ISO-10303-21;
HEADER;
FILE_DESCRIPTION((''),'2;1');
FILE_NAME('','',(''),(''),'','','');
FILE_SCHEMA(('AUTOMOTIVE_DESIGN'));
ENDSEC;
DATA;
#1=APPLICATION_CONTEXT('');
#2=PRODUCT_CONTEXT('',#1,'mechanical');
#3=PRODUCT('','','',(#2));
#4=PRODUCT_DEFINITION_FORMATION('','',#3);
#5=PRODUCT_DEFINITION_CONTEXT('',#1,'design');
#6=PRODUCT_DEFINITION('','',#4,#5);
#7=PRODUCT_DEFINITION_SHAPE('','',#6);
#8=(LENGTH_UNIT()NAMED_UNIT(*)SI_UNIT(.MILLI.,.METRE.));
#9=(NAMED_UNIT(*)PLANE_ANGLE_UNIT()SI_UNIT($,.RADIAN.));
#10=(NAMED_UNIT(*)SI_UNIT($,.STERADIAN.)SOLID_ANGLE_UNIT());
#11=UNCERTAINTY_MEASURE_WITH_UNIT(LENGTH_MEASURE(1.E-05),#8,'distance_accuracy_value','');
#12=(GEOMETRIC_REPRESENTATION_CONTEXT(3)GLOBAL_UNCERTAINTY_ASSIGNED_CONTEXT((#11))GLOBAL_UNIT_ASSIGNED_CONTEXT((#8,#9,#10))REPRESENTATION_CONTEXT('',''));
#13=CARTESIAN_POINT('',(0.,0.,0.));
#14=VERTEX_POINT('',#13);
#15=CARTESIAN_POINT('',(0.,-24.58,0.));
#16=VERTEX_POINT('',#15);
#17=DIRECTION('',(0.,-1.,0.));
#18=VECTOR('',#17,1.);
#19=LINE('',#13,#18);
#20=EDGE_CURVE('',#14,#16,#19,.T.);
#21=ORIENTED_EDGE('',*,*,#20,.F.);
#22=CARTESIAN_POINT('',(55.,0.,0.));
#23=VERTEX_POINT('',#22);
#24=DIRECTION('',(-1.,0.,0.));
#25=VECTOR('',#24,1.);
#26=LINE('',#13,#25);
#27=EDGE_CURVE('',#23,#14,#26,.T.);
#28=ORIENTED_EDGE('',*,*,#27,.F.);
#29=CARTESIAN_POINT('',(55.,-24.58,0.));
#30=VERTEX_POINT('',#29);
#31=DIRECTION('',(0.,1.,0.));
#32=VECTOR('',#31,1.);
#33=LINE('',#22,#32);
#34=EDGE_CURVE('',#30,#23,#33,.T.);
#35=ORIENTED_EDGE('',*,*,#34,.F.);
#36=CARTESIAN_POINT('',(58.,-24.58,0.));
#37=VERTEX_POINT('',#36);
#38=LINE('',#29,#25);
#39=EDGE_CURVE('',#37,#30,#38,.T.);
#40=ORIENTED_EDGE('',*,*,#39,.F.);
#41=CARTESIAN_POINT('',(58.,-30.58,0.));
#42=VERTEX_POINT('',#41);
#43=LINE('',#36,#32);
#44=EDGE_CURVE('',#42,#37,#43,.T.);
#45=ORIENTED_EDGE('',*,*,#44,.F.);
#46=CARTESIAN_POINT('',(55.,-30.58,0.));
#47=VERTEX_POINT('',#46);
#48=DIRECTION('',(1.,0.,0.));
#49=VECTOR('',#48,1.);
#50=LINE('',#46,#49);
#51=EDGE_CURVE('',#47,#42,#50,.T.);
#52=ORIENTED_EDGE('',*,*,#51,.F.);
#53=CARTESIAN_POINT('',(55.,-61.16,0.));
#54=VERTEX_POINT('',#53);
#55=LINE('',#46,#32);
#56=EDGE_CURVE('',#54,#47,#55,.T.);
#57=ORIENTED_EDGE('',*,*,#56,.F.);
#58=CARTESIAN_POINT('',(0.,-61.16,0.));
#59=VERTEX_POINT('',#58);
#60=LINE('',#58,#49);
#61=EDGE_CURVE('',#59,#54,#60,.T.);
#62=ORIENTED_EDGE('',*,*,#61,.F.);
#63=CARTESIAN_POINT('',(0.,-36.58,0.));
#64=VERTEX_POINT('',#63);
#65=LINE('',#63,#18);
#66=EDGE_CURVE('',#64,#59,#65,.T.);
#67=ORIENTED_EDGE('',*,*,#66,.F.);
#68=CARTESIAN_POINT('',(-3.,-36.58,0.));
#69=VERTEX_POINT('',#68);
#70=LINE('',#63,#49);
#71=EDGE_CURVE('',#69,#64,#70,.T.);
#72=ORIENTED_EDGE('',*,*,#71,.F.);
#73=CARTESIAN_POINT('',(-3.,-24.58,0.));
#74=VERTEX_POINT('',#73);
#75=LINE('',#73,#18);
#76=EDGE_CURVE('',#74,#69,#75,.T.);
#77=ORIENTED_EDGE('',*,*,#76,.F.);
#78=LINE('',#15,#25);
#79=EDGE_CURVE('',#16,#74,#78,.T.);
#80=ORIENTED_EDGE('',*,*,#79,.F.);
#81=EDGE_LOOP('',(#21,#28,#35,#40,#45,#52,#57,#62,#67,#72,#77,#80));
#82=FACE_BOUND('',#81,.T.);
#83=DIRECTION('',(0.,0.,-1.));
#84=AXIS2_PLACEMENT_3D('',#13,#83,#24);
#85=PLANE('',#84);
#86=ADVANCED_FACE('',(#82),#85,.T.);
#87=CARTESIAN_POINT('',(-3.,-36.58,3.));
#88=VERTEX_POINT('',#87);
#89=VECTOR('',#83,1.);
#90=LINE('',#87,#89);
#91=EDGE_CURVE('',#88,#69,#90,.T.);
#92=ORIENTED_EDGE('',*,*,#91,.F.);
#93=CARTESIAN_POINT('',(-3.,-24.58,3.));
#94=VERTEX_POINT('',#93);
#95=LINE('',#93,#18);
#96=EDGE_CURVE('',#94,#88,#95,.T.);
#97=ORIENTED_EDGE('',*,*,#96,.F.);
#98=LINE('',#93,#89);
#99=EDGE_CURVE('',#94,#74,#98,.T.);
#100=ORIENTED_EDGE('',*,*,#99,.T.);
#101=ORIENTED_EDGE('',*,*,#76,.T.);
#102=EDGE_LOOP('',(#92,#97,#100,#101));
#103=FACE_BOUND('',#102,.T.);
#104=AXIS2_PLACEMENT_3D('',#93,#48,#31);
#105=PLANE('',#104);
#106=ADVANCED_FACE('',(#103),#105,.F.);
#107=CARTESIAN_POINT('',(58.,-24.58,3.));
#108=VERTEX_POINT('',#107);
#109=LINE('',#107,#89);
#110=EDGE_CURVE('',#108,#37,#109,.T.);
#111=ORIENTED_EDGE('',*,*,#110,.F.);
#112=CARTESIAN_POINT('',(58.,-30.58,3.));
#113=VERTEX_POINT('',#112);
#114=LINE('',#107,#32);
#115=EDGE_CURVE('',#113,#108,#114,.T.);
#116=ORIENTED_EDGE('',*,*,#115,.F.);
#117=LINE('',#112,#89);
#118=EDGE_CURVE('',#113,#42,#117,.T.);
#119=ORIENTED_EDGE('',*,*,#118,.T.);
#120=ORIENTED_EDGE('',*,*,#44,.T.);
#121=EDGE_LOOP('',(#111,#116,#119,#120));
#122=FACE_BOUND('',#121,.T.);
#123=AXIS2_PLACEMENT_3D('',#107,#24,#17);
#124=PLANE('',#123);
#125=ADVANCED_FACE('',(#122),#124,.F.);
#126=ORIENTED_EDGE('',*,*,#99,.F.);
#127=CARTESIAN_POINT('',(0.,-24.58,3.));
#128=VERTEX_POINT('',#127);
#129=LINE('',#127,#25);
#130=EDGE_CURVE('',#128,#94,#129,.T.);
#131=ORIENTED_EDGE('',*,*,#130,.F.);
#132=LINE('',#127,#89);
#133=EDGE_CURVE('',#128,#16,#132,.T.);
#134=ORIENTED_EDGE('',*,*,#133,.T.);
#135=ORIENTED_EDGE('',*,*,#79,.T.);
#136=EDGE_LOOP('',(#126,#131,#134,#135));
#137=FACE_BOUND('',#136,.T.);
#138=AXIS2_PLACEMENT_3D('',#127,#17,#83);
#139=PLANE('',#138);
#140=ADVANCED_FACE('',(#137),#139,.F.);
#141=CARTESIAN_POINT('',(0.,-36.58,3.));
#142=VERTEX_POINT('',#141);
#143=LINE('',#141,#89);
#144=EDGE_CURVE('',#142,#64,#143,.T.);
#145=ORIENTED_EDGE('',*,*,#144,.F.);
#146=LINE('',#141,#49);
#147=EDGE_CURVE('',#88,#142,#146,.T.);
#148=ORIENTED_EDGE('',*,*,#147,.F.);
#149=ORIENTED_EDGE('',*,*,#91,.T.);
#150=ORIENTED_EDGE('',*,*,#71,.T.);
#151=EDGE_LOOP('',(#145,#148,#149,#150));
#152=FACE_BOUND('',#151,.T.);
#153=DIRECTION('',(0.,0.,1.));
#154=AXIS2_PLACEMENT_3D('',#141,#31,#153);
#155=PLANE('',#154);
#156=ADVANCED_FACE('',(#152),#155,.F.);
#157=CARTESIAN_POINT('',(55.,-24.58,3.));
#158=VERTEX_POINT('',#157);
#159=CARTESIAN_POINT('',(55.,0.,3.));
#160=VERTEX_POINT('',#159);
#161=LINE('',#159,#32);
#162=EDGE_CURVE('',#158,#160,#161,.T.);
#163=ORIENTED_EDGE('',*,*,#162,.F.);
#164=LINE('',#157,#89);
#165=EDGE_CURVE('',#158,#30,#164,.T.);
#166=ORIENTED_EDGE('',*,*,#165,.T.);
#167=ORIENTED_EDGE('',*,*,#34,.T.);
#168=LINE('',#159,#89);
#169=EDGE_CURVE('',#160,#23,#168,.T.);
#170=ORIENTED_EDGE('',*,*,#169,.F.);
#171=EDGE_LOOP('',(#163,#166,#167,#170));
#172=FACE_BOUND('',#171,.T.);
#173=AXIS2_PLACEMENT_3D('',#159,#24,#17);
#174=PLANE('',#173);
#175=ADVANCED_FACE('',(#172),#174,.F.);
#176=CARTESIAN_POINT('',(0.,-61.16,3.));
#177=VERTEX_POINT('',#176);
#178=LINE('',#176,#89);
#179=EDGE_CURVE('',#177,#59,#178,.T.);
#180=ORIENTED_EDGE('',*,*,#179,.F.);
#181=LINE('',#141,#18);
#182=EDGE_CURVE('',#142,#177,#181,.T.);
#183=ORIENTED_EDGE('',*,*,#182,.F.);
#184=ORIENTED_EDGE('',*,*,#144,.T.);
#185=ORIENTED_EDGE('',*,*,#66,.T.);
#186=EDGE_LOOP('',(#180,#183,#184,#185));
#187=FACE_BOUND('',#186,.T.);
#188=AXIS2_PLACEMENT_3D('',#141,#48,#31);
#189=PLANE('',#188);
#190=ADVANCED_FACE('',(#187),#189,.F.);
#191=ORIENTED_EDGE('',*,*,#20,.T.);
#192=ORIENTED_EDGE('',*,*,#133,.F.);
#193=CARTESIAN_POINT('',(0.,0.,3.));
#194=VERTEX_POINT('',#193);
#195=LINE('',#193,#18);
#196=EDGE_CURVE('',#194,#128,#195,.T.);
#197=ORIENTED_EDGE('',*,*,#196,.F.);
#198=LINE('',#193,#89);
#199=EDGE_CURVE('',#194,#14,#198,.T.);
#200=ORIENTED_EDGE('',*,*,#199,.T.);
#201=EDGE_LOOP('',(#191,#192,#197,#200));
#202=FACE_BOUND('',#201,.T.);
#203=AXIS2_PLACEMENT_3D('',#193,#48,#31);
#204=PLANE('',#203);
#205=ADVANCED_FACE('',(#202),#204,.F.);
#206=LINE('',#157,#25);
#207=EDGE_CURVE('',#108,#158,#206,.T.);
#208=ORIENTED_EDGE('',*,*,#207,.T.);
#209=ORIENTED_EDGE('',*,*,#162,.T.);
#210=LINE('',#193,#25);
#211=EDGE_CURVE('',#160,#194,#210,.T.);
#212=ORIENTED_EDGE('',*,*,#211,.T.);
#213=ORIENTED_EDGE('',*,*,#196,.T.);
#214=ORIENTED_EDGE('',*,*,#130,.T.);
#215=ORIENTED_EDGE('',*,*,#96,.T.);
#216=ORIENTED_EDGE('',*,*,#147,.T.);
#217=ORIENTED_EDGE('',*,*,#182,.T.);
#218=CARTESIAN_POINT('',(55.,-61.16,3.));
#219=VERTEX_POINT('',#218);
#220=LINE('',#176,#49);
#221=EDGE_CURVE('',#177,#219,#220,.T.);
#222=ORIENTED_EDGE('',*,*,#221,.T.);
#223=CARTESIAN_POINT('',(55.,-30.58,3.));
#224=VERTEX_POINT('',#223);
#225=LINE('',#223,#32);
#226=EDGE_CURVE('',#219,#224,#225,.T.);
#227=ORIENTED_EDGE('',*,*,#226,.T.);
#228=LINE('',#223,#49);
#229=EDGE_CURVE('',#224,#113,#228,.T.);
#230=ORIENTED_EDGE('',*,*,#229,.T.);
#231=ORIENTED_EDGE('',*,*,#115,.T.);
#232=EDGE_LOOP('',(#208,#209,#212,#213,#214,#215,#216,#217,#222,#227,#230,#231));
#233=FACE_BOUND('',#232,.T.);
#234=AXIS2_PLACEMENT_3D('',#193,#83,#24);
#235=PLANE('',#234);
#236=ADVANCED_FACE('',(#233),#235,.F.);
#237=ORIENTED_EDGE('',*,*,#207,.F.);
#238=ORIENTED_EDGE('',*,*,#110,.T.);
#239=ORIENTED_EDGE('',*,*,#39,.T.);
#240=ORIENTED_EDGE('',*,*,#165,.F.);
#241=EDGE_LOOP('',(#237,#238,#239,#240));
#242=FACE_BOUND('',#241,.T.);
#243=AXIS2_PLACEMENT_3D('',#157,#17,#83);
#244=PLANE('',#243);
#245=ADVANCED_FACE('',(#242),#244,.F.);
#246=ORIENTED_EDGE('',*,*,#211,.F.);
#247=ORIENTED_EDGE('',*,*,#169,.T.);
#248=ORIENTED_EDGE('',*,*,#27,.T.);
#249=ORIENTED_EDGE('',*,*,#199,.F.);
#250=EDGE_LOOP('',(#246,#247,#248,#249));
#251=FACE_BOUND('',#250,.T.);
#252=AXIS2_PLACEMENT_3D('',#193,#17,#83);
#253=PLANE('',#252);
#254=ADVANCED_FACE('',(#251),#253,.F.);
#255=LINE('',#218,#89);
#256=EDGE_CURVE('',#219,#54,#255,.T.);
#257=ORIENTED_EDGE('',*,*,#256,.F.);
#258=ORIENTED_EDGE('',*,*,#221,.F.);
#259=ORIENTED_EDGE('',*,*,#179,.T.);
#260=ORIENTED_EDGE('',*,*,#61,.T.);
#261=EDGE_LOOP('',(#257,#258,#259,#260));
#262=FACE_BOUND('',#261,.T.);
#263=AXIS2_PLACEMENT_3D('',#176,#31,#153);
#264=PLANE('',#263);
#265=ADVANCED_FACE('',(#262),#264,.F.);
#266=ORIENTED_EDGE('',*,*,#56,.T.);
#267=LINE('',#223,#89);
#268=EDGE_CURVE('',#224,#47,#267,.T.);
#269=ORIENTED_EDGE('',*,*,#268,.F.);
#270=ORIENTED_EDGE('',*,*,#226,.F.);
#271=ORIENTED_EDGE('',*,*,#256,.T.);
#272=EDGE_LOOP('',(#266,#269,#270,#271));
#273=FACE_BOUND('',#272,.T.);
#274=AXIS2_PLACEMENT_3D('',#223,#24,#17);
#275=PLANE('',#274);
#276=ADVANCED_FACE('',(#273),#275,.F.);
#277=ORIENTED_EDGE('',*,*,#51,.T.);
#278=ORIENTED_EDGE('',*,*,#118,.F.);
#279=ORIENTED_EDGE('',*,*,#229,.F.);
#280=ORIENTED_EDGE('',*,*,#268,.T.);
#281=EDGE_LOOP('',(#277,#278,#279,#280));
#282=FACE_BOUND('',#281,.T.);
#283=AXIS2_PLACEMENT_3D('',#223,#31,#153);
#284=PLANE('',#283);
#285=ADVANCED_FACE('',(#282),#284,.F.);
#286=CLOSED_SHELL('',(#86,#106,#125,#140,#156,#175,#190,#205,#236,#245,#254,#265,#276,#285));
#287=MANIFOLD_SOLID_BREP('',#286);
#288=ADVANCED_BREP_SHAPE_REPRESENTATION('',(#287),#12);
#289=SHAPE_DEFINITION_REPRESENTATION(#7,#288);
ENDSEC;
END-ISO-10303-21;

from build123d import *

# Parameters (mm, degrees)
P_IDAT_VYSUNUT_M1_DEPTH = 3


with BuildPart() as part:
    # Skica1 → Přidat vysunutím1 (new body)
    with BuildSketch(Plane.XY):
        Polygon((55, -30.58), (55, -61.16), (0, -61.16), (0, -36.58), (-3, -36.58), (-3, -24.58), (0, -24.58), (0, 0), (55, 0), (55, -24.58), (58, -24.58), (58, -30.58), align=None)
    extrude(amount=P_IDAT_VYSUNUT_M1_DEPTH)


solid = part.part
